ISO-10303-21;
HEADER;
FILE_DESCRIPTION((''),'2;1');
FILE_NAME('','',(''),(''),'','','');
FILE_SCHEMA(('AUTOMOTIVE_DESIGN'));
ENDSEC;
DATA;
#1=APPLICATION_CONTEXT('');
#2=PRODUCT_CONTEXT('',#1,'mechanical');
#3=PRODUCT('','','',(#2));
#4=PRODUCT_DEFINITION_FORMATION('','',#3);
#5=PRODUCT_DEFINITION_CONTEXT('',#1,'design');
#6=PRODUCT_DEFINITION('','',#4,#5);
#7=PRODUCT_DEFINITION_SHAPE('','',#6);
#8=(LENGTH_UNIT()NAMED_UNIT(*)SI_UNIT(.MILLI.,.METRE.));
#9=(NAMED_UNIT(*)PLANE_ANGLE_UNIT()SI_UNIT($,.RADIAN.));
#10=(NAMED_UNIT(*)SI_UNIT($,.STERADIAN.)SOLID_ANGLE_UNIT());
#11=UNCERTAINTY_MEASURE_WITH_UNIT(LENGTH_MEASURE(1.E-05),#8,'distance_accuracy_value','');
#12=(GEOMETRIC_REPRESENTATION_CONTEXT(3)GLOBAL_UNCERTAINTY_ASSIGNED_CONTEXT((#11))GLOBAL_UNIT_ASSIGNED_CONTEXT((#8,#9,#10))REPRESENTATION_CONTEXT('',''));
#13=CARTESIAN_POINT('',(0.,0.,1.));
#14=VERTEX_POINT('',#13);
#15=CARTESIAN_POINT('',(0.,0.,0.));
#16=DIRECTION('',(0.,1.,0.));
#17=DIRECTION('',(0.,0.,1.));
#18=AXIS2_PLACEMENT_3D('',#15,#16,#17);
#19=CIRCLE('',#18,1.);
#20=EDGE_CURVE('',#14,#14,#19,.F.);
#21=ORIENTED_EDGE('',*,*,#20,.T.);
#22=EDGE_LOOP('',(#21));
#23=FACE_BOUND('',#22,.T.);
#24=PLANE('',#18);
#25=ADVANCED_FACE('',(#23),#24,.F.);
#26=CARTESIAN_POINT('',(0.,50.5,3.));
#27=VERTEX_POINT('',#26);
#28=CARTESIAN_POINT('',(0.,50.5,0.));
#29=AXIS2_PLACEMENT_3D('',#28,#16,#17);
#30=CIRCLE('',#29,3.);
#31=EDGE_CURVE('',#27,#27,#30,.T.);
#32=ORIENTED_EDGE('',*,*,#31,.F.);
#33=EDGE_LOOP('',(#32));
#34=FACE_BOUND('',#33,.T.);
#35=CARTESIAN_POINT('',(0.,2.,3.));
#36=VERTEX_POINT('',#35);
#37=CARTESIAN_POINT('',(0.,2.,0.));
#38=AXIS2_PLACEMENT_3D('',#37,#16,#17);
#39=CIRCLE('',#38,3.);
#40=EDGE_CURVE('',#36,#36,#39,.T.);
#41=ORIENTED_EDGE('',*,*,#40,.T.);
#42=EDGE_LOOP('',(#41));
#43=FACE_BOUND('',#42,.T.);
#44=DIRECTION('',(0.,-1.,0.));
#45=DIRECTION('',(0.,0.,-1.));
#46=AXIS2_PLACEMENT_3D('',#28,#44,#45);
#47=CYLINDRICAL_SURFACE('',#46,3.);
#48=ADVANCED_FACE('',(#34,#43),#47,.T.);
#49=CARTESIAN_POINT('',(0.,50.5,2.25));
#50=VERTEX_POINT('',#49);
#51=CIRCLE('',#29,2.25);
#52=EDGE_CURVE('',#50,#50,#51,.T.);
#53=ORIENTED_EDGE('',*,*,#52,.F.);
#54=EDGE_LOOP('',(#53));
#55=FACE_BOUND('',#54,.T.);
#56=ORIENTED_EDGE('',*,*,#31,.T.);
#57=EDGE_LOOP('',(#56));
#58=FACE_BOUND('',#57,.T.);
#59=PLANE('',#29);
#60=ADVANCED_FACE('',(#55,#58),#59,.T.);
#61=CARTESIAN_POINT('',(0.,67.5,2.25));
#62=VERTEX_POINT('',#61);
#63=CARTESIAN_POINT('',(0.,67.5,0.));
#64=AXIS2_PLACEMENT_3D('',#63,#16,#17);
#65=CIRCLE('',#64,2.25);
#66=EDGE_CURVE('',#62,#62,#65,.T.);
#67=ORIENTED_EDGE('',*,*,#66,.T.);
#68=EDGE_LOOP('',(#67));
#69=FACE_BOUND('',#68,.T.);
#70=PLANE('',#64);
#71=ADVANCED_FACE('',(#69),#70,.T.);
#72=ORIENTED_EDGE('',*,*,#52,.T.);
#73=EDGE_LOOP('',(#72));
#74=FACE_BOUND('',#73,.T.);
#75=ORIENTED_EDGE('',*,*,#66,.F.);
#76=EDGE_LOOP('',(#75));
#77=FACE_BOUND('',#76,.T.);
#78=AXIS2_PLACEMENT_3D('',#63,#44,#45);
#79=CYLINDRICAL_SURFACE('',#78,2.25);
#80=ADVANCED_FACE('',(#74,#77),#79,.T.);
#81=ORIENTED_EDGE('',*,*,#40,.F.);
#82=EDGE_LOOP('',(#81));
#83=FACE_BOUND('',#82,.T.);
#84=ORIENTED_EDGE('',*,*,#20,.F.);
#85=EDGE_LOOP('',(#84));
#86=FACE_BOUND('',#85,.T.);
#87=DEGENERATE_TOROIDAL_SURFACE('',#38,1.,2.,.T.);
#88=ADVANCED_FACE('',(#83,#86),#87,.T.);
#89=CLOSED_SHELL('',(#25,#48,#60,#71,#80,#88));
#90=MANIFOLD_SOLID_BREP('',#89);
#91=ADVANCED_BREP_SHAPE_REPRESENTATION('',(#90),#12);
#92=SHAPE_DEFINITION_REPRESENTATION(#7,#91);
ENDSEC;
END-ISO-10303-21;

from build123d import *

# Parameters (mm, degrees)
SKETCH1_R           = 3
BOSS_EXTRUDE1_DEPTH = 50.5
FILLET1_R           = 2
SKETCH2_R           = 2.25
BOSS_EXTRUDE2_DEPTH = 17


with BuildPart() as part:
    # Sketch1 → Boss-Extrude1 (new body)
    with BuildSketch(Plane(origin=(0, 0, 0), x_dir=(1, 0, 0), z_dir=(0, 1, 0))):
        with Locations(Location((0, 0, 0), (0, 0, 270))):
            Circle(SKETCH1_R)
    extrude(amount=BOSS_EXTRUDE1_DEPTH)

    # Fillet1
    fillet1_edges = [part.edges().sort_by_distance(p)[0] for p in [
        (0, 0, -3),
    ]]
    fillet(fillet1_edges, radius=FILLET1_R)

    # Sketch2 → Boss-Extrude2 (add)
    with BuildSketch(Plane(origin=(0, 50.5, 0), x_dir=(1, 0, 0), z_dir=(0, 1, 0))):
        with Locations(Location((0, 0, 0), (0, 0, 270))):
            Circle(SKETCH2_R)
    extrude(amount=BOSS_EXTRUDE2_DEPTH)


solid = part.part
